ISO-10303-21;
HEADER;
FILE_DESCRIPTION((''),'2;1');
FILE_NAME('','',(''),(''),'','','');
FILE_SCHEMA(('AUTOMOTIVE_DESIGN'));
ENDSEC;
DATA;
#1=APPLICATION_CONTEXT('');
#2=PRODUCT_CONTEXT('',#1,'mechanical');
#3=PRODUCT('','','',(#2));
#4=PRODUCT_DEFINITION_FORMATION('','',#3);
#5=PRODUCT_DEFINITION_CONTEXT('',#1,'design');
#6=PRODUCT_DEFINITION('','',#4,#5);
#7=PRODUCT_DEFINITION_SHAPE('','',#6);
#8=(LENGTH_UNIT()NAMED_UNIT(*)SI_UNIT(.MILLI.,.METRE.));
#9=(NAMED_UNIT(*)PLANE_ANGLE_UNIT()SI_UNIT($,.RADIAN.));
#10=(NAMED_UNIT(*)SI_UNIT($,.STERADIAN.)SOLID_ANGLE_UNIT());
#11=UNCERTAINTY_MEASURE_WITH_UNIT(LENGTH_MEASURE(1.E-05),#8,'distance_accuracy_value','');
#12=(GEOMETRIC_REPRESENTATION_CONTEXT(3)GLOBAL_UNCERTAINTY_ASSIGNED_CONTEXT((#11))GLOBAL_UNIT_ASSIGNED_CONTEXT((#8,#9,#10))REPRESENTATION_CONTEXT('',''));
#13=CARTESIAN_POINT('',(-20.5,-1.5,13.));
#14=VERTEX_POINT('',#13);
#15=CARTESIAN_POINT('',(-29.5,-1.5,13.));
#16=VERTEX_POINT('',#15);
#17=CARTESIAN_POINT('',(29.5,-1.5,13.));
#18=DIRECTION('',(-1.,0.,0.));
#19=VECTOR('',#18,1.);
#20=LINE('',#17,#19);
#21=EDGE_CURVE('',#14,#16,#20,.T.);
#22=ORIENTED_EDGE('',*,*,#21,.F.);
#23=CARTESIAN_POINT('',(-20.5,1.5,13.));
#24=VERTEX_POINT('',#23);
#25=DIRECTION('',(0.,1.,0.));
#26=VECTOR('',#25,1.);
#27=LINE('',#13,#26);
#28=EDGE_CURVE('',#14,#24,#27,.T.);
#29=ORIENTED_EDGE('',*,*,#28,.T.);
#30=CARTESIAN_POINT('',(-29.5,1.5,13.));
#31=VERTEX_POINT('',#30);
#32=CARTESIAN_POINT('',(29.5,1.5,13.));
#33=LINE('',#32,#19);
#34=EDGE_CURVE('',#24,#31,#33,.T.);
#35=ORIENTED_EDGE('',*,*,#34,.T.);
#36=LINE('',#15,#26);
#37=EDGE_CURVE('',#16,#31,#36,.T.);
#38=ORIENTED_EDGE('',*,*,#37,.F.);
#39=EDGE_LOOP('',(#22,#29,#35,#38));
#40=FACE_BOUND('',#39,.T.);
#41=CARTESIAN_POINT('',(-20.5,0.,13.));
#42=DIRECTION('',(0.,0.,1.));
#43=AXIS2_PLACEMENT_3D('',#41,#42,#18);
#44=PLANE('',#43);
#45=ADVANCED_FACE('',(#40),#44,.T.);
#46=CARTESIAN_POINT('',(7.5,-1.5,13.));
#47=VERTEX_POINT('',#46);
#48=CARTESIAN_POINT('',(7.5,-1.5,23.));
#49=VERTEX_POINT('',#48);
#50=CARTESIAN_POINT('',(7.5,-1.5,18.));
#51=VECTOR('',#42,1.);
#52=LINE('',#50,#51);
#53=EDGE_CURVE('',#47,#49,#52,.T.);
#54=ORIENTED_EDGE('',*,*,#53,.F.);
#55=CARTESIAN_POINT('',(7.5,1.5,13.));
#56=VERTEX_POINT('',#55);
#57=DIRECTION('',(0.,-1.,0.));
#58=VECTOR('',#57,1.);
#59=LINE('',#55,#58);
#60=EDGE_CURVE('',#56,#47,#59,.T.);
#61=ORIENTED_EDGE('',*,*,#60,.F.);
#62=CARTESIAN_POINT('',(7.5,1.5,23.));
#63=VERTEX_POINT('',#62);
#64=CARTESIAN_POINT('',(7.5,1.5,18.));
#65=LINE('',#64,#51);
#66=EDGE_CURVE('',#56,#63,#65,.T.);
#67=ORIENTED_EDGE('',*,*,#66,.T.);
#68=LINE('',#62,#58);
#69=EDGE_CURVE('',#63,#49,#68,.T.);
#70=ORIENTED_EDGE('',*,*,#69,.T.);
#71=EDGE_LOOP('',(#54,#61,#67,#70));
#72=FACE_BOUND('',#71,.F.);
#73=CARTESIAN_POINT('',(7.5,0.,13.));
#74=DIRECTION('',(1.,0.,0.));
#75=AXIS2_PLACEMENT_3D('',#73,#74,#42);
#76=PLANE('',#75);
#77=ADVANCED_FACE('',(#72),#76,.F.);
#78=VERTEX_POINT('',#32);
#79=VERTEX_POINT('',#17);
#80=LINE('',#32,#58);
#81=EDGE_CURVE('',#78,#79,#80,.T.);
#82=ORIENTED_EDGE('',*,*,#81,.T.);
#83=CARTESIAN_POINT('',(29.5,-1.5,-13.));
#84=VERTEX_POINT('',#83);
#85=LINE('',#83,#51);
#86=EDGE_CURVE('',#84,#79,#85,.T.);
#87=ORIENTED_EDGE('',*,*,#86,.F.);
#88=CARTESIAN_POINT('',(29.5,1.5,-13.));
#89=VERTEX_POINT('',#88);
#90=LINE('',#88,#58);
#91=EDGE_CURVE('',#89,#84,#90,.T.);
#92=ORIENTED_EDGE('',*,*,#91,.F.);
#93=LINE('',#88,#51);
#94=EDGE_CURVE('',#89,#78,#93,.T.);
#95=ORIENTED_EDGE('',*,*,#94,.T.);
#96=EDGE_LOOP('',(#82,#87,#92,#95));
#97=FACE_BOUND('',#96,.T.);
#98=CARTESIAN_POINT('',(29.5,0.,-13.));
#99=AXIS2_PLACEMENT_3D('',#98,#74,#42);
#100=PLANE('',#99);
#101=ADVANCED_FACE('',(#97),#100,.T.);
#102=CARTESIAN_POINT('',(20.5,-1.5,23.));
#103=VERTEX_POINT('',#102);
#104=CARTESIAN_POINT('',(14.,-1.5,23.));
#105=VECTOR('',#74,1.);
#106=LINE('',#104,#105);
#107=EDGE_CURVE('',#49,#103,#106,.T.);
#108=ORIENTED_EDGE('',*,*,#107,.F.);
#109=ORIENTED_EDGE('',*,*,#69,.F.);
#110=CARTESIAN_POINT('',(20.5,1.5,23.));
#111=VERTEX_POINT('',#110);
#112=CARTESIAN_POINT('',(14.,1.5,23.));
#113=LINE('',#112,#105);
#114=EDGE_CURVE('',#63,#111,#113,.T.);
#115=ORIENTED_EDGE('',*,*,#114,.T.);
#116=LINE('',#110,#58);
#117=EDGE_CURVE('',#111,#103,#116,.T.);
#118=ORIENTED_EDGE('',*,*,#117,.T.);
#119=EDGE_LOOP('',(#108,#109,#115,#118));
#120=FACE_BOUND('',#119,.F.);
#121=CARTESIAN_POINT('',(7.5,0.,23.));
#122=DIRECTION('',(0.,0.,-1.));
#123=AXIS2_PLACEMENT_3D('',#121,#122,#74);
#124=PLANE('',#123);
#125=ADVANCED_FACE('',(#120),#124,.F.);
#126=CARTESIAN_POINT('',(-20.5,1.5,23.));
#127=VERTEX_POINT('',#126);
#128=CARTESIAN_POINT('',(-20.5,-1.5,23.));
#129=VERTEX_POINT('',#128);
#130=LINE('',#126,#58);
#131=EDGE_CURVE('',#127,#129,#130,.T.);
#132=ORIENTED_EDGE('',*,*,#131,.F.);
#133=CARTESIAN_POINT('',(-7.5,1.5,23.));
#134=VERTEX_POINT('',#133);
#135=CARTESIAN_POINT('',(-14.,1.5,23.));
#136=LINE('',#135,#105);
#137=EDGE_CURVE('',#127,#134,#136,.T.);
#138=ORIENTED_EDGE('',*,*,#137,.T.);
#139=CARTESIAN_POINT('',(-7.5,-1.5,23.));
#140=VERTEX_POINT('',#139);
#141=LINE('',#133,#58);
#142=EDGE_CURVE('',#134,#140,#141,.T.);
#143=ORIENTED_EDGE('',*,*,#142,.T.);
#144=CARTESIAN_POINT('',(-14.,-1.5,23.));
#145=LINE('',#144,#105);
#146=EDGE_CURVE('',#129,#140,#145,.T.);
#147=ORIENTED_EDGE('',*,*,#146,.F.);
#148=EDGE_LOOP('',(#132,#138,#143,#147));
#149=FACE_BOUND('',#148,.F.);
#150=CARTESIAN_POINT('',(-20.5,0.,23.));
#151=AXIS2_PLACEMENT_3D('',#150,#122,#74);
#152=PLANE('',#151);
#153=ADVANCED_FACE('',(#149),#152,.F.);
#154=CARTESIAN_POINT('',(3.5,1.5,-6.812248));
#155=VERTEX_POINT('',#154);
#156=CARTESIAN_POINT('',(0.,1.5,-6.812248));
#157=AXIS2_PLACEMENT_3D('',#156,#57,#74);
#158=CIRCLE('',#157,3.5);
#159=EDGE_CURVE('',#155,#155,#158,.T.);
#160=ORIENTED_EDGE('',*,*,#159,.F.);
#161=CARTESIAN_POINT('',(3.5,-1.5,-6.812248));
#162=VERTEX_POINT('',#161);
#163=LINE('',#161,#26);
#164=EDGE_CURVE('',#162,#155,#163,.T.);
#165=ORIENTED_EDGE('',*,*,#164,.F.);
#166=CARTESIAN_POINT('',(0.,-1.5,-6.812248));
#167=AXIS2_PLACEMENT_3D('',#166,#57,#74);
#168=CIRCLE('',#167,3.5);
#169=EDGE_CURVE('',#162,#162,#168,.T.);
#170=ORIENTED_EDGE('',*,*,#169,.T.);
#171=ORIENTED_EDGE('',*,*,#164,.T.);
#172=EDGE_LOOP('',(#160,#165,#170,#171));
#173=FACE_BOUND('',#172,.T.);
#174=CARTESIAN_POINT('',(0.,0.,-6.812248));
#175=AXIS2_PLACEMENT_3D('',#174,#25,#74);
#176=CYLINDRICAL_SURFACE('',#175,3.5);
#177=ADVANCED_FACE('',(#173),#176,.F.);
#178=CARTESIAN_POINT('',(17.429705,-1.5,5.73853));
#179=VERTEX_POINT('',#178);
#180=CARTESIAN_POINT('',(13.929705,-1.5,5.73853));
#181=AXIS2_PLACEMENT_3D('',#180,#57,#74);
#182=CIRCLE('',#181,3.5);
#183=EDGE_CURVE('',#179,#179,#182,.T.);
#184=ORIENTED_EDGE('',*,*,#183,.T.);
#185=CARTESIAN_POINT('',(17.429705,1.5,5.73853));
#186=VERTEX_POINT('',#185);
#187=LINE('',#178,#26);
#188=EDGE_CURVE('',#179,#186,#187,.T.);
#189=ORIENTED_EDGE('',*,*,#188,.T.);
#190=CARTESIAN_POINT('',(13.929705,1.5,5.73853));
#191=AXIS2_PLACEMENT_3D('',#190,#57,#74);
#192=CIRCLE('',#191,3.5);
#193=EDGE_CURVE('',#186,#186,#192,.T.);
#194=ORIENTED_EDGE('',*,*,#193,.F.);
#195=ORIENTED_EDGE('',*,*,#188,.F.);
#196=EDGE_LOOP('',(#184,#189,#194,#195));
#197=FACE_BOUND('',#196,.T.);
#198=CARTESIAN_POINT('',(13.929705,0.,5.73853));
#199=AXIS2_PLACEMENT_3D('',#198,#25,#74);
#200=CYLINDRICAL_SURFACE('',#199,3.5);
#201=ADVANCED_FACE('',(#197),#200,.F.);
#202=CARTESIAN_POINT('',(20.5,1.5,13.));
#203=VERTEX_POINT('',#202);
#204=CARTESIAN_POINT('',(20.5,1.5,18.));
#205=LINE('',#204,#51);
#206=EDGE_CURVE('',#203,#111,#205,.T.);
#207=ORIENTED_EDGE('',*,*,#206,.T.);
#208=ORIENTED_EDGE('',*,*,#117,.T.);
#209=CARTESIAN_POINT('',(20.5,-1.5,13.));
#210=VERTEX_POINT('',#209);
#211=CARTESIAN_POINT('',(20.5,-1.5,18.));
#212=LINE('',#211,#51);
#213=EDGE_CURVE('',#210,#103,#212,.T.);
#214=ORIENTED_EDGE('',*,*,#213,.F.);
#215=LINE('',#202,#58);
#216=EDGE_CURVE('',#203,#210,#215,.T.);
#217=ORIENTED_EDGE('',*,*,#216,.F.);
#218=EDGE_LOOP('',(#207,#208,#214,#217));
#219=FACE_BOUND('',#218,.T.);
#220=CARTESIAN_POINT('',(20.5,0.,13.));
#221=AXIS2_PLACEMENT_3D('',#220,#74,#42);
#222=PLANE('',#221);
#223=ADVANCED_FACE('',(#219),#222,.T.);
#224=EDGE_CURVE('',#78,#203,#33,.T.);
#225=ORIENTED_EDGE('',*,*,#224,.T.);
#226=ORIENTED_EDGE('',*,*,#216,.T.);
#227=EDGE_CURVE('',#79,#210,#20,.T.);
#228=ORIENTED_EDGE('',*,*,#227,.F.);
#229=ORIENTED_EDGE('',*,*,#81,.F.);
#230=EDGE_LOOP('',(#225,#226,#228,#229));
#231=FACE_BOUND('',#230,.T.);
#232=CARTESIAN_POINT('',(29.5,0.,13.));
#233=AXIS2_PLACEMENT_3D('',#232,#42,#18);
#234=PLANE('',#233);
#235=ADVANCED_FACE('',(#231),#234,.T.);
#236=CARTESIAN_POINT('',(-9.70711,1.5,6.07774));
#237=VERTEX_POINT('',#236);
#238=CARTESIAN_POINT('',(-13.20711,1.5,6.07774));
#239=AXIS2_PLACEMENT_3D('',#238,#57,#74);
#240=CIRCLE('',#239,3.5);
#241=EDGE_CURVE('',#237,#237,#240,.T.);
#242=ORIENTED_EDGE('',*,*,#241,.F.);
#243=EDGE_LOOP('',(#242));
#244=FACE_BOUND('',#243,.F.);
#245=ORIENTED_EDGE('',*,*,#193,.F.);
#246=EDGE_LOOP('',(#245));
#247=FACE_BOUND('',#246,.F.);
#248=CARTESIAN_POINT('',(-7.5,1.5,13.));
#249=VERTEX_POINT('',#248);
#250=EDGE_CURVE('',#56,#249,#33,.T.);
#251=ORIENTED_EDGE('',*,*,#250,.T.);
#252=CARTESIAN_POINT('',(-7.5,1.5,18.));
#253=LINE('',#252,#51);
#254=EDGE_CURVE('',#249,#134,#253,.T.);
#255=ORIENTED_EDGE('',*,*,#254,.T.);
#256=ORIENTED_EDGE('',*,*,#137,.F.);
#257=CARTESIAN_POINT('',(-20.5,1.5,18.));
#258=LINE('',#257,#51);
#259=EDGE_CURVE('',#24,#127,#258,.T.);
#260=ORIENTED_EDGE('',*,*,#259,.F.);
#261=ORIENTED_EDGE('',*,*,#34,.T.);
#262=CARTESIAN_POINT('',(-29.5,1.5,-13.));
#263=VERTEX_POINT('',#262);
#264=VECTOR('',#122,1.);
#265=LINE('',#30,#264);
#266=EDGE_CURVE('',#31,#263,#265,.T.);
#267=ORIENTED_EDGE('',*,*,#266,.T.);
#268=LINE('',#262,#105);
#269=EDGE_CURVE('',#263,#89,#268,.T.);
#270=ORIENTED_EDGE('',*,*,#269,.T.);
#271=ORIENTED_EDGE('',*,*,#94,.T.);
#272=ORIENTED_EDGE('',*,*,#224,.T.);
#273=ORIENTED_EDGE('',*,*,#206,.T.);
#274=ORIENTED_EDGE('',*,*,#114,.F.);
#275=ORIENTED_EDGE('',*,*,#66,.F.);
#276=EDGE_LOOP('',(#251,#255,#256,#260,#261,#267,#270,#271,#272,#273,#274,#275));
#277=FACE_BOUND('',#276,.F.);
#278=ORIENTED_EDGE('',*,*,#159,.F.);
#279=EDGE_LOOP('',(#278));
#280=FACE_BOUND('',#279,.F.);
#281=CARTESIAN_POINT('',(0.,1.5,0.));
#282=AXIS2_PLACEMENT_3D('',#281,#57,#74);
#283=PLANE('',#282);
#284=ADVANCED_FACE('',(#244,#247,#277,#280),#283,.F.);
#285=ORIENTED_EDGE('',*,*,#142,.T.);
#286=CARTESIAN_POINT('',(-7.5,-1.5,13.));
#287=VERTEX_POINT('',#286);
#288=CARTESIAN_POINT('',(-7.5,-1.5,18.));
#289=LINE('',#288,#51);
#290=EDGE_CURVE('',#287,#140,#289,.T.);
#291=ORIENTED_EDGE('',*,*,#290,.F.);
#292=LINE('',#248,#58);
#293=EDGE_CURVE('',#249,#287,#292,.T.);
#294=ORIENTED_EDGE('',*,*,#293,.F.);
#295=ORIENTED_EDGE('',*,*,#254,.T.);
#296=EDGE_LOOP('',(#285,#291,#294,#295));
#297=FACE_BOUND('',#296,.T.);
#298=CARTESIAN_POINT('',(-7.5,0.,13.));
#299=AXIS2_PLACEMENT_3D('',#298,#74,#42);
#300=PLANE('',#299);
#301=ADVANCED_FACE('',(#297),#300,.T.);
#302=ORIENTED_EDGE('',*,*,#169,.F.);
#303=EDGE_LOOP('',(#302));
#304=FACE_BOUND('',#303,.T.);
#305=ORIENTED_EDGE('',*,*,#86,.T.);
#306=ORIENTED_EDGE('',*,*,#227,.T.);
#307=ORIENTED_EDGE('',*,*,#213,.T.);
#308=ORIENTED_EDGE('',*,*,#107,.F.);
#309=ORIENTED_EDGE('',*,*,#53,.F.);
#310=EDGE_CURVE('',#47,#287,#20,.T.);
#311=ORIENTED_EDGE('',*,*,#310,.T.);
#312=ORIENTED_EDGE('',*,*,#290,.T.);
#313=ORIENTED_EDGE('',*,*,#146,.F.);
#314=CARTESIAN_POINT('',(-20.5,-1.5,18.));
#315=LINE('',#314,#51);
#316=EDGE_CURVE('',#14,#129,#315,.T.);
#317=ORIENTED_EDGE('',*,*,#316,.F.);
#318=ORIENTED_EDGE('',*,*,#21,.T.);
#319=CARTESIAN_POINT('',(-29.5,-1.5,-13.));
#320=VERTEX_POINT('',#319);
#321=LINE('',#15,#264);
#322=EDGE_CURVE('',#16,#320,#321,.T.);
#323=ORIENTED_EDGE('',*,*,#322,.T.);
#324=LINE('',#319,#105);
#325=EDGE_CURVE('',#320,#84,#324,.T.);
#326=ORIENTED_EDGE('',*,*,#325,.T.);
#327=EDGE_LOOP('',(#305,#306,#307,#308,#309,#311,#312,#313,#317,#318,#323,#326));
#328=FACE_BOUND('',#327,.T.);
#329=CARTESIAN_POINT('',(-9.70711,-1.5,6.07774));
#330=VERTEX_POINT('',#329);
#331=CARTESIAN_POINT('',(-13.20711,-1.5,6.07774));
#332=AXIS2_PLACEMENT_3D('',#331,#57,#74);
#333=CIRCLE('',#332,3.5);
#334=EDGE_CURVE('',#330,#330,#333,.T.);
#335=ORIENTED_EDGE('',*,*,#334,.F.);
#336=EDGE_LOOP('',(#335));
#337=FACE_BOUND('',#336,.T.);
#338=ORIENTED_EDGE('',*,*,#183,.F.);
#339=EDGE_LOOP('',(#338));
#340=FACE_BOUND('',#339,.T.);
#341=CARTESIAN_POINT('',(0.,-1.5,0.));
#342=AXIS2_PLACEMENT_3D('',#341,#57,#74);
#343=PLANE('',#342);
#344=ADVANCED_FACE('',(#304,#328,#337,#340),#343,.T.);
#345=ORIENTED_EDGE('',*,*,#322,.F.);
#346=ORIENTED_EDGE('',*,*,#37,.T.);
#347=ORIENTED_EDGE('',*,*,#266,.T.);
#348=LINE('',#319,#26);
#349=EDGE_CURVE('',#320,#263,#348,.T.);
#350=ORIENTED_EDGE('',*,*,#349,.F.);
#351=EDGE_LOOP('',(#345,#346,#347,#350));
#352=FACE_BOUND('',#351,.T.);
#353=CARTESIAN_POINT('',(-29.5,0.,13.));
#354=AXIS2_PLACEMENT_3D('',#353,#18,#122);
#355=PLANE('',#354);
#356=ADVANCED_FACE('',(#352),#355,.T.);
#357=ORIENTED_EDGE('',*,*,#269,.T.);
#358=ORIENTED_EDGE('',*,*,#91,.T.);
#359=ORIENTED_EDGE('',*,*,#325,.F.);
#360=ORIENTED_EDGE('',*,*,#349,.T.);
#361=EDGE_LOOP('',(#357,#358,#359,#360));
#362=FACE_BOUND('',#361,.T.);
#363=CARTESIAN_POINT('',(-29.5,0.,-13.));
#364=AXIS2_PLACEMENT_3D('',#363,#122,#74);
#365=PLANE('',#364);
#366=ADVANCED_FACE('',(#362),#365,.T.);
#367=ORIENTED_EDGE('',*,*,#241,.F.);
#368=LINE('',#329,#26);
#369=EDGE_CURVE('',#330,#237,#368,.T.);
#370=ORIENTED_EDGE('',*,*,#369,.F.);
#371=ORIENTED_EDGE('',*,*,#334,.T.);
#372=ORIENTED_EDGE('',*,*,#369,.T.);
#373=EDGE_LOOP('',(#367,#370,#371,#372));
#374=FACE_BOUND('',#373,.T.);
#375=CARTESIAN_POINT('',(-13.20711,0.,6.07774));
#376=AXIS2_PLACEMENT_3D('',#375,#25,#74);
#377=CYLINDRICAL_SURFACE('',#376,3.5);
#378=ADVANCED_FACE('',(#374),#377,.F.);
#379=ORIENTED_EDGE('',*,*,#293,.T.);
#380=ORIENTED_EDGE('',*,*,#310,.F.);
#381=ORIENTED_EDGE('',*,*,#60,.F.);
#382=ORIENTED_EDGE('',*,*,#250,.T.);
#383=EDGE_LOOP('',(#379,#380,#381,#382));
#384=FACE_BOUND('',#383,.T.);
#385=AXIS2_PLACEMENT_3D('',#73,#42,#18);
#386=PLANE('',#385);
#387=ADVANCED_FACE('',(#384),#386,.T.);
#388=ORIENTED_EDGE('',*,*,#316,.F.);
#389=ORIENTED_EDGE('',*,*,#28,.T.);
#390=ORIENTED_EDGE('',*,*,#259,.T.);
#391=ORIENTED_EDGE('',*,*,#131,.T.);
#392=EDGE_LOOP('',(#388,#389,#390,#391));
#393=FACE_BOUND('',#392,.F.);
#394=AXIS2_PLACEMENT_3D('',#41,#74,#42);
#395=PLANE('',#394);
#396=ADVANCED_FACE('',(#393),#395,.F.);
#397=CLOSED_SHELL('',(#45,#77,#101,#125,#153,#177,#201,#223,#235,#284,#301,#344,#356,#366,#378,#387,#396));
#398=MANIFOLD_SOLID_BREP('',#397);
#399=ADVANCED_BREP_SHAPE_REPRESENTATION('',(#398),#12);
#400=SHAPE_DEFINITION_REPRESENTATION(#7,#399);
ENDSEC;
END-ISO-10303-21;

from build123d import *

# Parameters (mm, degrees)
F0_R     = 3.5
F0_W     = 13
F0_H     = 10
F1_DEPTH = 1.5


with BuildPart() as f1:
    # F0 (on Front) → F1 (new body, symmetric)
    with BuildSketch(Plane.XZ):
        Polygon((-29.5, -13), (29.5, -13), (29.5, 13), (20.5, 13), (7.5, 13), (-7.5, 13), (-20.5, 13), (-29.5, 13), align=None)
        with Locations((0, -6.812248)):
            Circle(F0_R, mode=Mode.SUBTRACT)
        with Locations((-13.20711, 6.07774)):
            Circle(F0_R, mode=Mode.SUBTRACT)
        with Locations((13.929705, 5.73853)):
            Circle(F0_R, mode=Mode.SUBTRACT)
        with Locations((14, 18)):
            Rectangle(F0_W, F0_H)
        with Locations((-14, 18)):
            Rectangle(F0_W, F0_H)
    extrude(amount=F1_DEPTH, both=True)


solid = f1.part
